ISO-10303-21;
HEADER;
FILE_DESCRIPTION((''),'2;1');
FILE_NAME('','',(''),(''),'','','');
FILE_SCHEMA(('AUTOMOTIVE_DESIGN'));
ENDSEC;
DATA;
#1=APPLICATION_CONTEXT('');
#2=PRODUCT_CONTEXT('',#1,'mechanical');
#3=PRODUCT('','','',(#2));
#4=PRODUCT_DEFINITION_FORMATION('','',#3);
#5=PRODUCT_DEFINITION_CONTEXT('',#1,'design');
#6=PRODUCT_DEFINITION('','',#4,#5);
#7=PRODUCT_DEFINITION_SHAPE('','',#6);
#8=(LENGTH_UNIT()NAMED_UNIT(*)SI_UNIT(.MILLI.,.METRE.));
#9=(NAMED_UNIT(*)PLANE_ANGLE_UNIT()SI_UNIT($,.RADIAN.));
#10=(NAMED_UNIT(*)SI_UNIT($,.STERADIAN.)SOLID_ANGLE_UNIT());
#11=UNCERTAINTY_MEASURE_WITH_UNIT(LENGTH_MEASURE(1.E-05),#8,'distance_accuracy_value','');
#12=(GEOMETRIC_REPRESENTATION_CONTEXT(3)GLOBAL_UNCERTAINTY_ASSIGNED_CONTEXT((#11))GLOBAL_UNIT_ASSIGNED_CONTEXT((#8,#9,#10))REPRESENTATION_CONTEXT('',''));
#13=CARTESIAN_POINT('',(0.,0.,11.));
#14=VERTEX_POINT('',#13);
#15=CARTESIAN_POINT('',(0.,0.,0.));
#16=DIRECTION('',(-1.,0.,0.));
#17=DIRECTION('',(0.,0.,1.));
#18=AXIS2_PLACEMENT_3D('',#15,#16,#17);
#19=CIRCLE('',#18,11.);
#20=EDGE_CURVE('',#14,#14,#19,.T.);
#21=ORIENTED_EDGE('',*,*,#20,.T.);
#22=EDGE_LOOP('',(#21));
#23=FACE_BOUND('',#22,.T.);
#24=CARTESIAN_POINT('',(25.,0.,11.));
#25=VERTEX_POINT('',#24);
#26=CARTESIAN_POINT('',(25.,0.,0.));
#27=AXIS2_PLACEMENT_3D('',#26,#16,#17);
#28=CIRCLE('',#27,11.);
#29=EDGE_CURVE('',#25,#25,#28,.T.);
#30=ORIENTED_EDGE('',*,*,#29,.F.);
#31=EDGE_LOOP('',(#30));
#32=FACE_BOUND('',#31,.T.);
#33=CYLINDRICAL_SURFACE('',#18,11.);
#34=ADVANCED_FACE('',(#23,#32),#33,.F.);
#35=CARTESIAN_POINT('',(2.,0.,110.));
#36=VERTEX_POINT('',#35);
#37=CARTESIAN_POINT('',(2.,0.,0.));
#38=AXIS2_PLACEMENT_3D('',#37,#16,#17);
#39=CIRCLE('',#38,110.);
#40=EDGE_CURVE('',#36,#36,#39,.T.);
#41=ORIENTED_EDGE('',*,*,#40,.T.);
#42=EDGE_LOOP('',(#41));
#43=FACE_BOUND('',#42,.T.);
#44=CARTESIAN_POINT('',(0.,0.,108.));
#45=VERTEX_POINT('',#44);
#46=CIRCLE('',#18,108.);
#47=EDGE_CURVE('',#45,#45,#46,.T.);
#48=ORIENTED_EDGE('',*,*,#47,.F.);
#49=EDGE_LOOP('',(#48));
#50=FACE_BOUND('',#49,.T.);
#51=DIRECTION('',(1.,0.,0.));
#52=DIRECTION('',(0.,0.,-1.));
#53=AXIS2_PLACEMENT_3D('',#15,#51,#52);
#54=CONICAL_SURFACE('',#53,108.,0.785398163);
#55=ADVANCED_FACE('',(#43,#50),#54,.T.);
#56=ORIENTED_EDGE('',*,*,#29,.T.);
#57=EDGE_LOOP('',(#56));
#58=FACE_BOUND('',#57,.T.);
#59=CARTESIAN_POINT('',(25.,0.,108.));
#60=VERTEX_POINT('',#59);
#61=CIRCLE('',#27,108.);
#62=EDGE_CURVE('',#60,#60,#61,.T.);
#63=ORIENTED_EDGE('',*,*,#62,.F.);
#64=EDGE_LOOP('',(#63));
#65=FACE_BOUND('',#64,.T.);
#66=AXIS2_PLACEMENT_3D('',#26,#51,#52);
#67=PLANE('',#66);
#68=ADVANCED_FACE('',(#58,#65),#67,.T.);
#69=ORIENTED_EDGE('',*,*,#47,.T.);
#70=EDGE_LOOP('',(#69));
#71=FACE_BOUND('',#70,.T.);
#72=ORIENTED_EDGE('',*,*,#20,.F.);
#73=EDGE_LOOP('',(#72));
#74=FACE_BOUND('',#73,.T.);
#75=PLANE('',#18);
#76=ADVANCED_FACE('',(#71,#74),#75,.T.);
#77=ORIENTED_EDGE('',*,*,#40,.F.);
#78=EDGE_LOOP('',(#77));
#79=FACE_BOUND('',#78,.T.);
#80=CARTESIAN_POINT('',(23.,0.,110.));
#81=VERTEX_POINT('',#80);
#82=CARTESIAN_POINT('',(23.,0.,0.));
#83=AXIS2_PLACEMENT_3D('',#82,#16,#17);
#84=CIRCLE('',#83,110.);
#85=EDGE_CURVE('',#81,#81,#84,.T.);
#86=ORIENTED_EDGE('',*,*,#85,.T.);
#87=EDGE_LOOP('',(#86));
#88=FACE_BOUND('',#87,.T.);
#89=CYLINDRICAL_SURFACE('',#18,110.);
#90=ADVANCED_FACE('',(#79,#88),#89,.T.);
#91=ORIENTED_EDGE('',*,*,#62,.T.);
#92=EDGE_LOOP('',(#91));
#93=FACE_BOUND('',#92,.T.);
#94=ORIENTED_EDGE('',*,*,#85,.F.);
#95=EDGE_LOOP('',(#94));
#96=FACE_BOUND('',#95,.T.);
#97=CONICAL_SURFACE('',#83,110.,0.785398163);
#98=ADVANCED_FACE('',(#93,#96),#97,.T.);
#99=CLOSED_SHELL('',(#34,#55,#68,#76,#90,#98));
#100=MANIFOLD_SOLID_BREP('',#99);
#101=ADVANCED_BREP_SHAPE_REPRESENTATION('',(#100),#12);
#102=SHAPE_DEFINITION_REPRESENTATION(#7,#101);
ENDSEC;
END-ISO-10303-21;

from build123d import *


with BuildPart() as part:
    # Skizze1 → Rotation1 (revolve)
    with BuildSketch(Plane(origin=(0, 0, 0), x_dir=(1, 0, 0), z_dir=(0, 1, 0)), mode=Mode.PRIVATE) as rotation1_sk:
        Polygon((0, 108), (0, 11), (25, 11), (25, 108), (23, 110), (2, 110), align=None)
    revolve(rotation1_sk.sketch.rotate(Axis((0, 0, 0), (1, 0, 0)), 180), axis=Axis((0, 0, 0), (1, 0, 0)))


solid = part.part
